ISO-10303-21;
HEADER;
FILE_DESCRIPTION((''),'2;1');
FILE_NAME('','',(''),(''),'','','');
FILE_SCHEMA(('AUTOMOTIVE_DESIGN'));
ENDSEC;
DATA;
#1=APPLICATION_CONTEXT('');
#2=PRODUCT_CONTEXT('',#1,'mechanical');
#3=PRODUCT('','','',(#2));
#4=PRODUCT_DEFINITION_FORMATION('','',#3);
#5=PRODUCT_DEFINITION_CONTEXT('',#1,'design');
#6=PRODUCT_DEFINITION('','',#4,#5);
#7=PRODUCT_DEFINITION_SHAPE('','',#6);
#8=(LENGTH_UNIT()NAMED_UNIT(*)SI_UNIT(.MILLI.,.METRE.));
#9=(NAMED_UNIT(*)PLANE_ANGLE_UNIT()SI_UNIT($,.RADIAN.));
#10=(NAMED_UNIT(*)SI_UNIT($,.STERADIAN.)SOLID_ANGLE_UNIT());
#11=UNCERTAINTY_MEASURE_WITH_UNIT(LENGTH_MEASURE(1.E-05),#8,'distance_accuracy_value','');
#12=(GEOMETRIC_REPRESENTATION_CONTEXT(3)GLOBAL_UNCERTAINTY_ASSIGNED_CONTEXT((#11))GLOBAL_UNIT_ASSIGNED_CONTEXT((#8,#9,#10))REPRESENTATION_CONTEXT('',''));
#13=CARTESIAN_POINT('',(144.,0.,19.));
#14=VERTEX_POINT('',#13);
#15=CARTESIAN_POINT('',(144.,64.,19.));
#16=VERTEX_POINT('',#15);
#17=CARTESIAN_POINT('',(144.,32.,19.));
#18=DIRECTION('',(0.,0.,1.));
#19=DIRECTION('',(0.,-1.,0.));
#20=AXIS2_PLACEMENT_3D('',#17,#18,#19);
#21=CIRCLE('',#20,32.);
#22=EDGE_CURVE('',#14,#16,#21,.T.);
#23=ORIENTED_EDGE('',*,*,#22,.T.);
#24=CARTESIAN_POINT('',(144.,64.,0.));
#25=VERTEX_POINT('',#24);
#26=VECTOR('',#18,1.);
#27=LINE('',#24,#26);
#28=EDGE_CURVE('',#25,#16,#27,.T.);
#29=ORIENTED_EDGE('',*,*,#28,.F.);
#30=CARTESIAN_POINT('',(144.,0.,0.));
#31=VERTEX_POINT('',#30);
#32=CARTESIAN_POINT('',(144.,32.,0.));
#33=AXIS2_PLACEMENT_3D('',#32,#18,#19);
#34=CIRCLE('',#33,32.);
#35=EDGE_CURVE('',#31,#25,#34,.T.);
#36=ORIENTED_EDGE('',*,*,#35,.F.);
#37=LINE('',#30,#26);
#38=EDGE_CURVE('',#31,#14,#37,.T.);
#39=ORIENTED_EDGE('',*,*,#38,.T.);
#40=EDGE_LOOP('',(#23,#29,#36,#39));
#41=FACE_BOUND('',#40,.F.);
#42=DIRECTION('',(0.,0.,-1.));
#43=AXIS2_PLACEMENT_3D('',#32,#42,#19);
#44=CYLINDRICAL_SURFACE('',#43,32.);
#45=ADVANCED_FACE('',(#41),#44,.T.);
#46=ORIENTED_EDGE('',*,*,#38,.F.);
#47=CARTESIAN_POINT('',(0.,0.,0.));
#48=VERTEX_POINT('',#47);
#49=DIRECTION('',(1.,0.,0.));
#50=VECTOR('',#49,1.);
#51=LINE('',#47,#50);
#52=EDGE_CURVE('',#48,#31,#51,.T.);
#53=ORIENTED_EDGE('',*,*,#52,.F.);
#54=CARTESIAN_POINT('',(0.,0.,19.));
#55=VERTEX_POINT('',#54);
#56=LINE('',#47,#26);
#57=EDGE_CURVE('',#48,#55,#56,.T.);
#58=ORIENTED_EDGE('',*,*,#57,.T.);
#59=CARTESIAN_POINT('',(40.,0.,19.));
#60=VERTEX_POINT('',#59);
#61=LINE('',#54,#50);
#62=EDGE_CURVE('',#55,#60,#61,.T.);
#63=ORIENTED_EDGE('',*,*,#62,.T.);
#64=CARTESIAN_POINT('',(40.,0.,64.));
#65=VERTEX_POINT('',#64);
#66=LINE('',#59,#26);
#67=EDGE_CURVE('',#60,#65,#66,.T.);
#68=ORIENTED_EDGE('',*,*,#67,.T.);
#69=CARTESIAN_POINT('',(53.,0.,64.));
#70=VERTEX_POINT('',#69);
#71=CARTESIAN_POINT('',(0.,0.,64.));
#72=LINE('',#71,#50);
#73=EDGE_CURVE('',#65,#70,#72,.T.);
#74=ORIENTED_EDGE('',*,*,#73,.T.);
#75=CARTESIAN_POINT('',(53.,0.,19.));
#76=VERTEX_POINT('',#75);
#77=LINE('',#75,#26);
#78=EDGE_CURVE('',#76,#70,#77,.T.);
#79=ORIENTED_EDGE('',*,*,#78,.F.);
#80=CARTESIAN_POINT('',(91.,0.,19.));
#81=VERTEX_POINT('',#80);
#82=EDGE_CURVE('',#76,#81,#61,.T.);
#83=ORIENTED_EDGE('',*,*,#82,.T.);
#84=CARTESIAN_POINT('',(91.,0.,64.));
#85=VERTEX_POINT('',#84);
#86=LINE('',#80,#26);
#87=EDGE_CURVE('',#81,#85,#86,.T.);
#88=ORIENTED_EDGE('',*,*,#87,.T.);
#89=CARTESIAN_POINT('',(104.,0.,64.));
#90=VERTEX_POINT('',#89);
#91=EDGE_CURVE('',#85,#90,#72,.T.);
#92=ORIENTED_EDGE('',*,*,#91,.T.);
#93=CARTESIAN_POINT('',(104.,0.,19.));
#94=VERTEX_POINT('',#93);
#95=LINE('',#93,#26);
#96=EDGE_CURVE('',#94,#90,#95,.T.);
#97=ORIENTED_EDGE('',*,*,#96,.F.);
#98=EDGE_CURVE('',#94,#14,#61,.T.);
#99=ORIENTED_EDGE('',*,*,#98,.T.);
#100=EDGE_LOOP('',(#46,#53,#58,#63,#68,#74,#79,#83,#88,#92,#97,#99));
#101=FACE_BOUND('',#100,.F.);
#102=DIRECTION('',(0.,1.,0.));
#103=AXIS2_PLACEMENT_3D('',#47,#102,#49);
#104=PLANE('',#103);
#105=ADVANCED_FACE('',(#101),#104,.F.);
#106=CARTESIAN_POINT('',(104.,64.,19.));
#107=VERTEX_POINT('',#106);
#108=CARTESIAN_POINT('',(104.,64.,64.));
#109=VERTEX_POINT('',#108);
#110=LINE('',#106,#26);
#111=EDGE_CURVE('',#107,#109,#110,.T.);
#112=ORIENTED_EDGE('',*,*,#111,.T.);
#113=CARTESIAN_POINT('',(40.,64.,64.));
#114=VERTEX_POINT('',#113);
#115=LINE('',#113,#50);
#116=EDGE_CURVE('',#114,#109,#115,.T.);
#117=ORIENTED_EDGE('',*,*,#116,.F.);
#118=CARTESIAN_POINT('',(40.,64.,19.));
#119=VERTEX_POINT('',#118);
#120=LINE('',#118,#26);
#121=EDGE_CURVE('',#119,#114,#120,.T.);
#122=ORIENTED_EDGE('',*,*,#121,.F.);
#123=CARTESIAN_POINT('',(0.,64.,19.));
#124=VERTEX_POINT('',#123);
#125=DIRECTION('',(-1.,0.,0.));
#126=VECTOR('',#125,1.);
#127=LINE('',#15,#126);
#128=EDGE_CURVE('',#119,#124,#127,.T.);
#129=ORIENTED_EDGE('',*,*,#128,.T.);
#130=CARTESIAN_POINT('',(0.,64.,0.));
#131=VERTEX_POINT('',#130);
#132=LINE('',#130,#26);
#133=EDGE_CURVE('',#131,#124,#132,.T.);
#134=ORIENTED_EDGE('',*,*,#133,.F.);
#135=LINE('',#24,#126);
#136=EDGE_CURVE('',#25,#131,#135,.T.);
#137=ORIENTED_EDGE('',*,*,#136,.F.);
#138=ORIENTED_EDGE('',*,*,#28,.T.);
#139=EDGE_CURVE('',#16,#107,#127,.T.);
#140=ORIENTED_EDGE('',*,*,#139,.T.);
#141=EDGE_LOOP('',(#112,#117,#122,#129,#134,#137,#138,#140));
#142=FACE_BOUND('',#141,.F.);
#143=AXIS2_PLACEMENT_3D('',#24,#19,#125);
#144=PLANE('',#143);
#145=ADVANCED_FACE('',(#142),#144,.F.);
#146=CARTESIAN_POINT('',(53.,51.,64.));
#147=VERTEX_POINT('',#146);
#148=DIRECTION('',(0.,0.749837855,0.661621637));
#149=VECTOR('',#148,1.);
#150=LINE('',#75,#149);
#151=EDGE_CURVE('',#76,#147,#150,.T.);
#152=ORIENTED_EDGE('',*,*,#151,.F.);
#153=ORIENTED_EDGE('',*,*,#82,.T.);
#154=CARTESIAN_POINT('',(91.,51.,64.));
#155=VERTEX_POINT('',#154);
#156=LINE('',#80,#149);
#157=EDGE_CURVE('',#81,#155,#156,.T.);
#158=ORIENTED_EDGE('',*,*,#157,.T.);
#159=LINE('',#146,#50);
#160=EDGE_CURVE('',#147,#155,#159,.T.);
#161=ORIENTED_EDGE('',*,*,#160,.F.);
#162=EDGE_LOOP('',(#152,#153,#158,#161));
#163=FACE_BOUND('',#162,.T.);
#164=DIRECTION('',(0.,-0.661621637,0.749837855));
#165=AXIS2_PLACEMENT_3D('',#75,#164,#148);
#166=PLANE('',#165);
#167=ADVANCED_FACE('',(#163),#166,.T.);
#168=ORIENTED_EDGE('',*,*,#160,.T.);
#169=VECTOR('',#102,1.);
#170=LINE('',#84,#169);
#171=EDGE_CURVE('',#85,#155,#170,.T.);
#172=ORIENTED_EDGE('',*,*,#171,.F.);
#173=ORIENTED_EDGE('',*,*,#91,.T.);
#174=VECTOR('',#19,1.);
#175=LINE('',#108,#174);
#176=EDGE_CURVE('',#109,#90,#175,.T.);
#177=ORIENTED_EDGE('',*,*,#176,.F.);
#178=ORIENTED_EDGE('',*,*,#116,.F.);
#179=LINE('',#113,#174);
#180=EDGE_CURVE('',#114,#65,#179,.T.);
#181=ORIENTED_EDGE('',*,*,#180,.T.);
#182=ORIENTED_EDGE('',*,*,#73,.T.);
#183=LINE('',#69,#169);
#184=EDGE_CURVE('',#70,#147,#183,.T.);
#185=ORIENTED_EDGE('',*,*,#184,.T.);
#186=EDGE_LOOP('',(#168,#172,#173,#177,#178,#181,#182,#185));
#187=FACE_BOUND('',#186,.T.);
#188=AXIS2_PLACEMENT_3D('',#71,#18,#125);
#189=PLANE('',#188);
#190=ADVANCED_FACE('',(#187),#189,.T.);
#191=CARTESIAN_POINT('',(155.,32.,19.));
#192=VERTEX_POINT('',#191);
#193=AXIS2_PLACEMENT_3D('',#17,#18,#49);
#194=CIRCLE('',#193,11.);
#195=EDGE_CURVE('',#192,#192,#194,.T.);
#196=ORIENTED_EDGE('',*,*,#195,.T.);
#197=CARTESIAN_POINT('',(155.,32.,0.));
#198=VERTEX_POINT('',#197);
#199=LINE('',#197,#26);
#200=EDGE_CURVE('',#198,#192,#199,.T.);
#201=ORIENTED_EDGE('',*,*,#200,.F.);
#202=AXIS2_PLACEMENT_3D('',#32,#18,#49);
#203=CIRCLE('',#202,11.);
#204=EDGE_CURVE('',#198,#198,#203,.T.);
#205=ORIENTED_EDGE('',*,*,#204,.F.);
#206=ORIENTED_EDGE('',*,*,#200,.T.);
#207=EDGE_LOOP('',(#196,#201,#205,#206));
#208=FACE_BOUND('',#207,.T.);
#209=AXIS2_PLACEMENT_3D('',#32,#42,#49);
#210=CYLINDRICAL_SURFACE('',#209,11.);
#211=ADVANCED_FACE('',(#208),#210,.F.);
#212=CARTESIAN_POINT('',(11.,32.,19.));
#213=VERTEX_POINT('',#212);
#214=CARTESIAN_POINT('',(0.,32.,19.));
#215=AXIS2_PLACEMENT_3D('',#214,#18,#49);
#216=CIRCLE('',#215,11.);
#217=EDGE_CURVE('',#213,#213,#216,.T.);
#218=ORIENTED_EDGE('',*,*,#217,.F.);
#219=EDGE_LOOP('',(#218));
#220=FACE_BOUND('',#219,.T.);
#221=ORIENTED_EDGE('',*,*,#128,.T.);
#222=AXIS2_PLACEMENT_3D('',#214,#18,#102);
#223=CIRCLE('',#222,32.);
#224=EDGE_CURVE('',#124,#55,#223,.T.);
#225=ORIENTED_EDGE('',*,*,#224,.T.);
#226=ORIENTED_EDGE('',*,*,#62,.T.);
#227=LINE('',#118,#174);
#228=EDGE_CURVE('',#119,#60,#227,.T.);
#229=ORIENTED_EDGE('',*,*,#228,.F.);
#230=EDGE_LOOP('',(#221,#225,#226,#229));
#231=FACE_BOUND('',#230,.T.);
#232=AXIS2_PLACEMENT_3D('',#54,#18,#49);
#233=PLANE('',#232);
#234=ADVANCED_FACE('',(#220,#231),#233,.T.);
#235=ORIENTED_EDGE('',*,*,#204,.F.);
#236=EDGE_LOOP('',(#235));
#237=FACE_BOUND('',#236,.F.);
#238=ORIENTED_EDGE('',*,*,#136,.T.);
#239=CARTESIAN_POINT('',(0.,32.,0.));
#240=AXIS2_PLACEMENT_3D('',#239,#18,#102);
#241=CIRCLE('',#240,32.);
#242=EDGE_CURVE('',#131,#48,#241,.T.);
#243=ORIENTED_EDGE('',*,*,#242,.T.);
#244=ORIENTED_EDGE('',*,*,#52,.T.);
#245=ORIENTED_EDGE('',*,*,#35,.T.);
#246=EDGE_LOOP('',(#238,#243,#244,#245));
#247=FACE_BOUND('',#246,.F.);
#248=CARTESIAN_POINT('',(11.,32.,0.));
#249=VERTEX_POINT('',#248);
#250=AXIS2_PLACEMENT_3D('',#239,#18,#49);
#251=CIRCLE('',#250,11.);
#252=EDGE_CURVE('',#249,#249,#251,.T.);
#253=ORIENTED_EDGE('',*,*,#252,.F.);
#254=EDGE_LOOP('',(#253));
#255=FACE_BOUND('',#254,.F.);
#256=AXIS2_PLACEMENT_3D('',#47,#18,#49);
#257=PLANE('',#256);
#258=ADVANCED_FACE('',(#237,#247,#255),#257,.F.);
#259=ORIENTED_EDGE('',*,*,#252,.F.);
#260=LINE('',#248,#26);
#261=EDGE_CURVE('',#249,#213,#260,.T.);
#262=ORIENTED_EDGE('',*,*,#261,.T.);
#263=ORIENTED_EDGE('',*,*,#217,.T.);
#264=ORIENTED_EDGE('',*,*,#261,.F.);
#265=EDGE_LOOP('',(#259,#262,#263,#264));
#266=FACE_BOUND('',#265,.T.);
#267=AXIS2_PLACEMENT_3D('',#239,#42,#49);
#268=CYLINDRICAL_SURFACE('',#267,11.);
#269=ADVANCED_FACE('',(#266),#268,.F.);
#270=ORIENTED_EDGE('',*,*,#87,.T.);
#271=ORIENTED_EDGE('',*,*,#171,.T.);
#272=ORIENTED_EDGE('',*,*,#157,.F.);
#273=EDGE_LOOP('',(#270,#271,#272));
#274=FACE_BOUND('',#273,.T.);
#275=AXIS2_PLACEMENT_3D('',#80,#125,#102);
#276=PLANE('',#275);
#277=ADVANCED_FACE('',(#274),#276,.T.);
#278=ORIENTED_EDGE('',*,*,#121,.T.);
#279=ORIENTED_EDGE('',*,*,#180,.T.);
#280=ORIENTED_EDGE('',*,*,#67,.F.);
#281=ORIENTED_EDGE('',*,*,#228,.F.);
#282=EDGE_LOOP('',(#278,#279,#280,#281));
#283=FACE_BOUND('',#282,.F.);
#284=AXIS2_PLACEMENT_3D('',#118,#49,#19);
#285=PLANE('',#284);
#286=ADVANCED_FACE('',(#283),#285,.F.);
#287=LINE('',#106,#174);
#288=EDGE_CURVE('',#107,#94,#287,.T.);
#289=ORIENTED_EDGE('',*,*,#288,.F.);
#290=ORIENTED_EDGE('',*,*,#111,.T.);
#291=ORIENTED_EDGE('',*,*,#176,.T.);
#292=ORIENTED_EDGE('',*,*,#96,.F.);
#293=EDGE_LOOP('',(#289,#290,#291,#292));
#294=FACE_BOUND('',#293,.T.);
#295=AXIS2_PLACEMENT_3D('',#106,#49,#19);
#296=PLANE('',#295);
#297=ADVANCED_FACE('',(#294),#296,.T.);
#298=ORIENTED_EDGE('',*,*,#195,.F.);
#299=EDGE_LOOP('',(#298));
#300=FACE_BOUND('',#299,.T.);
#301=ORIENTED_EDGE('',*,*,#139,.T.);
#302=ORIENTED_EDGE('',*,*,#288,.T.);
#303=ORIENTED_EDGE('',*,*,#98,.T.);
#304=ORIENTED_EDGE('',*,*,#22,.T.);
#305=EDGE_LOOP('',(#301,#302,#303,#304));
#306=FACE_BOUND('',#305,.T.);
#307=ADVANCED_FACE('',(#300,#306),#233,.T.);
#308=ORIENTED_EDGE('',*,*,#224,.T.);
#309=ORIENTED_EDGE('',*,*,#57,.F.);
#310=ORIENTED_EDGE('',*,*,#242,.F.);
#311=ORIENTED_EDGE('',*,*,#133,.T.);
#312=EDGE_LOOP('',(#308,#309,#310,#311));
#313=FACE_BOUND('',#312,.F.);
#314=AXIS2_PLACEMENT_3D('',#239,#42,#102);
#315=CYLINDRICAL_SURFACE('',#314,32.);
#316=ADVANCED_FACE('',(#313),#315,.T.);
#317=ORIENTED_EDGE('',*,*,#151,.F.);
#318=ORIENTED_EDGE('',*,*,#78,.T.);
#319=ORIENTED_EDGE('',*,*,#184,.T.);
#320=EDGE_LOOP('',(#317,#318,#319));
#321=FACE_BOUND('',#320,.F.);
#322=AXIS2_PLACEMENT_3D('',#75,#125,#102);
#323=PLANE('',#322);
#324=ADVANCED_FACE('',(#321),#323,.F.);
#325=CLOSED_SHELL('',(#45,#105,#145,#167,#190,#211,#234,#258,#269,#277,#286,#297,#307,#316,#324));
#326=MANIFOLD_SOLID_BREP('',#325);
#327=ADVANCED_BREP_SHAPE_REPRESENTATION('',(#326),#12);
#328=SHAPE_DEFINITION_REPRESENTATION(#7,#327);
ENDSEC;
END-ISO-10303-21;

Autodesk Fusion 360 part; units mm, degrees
sketch "Sketch1" plane through (0, 0, 0) normal (0, 0, 1) x (1, 0, 0)
  line L0 (0, 0) -> (144, 0)
  line L1 (144, 64) -> (0, 64)
  circle A0 centre (144, 32) radius 11
  circle A1 centre (0, 32) radius 11
  arc A2 (0, 64) -> (0, 0) centre (0, 32) ccw
  arc A3 (144, 0) -> (144, 64) centre (144, 32) ccw
extrude "Extrude1" add sketch "Sketch1" along normal blind 19
sketch "Sketch2" plane through (0, 0, 19) normal (0, 0, 1) x (-1, 0, 0)
  circle A0 centre (-144, -32) radius 11
  circle A1 centre (0, -32) radius 11
  arc A2 (-144, 0) -> (-144, -64) centre (-144, -32) ccw
  line L0 (-144, -64) -> (0, -64)
  arc A3 (0, -64) -> (0, 0) centre (0, -32) ccw
  line L1 (0, 0) -> (-144, 0)
  line L2 (-72, -64) -> (-104, -64)
  line L3 (-104, -64) -> (-104, 0)
  line L4 (-104, 0) -> (-91, 0)
  line L5 (-91, 0) -> (-91, -51)
  line L6 (-91, -51) -> (-72, -51)
  line L7 (-40, 0) -> (-53, 0)
  line L8 (-53, 0) -> (-53, -51)
  line L9 (-53, -51) -> (-72, -51)
  line L10 (-72, -64) -> (-40, -64)
  line L11 (-40, -64) -> (-40, 0)
  dimension "d7" = 32
  dimension "d8" = 13
  dimension "d9" = 51
extrude "Extrude2" add sketch "Sketch2" along normal blind 45 contours L0 L1 L2 L3 L4 L5 L6 L7 L8 L9 L10 L11
sketch "Sketch3" plane through (53, 0, 0) normal (1, 0, 0) x (0, 1, 0)
  line L0 (0, 19) -> (51, 19)
  line L1 (51, 19) -> (51, 64)
  line L2 (51, 64) -> (0, 64)
  line L3 (0, 64) -> (0, 19)
  line L4 (0, 19) -> (51, 64)
  line L5 (51, 64) -> (51, 19)
  line L6 (0, 19) -> (51, 19)
extrude "Extrude3" add sketch "Sketch3" along normal blind 50 contours L0 L1 L4 L5 L6
sketch "Sketch4" plane through (0, 0, 0) normal (0, 1, 0) x (1, 0, 0)
